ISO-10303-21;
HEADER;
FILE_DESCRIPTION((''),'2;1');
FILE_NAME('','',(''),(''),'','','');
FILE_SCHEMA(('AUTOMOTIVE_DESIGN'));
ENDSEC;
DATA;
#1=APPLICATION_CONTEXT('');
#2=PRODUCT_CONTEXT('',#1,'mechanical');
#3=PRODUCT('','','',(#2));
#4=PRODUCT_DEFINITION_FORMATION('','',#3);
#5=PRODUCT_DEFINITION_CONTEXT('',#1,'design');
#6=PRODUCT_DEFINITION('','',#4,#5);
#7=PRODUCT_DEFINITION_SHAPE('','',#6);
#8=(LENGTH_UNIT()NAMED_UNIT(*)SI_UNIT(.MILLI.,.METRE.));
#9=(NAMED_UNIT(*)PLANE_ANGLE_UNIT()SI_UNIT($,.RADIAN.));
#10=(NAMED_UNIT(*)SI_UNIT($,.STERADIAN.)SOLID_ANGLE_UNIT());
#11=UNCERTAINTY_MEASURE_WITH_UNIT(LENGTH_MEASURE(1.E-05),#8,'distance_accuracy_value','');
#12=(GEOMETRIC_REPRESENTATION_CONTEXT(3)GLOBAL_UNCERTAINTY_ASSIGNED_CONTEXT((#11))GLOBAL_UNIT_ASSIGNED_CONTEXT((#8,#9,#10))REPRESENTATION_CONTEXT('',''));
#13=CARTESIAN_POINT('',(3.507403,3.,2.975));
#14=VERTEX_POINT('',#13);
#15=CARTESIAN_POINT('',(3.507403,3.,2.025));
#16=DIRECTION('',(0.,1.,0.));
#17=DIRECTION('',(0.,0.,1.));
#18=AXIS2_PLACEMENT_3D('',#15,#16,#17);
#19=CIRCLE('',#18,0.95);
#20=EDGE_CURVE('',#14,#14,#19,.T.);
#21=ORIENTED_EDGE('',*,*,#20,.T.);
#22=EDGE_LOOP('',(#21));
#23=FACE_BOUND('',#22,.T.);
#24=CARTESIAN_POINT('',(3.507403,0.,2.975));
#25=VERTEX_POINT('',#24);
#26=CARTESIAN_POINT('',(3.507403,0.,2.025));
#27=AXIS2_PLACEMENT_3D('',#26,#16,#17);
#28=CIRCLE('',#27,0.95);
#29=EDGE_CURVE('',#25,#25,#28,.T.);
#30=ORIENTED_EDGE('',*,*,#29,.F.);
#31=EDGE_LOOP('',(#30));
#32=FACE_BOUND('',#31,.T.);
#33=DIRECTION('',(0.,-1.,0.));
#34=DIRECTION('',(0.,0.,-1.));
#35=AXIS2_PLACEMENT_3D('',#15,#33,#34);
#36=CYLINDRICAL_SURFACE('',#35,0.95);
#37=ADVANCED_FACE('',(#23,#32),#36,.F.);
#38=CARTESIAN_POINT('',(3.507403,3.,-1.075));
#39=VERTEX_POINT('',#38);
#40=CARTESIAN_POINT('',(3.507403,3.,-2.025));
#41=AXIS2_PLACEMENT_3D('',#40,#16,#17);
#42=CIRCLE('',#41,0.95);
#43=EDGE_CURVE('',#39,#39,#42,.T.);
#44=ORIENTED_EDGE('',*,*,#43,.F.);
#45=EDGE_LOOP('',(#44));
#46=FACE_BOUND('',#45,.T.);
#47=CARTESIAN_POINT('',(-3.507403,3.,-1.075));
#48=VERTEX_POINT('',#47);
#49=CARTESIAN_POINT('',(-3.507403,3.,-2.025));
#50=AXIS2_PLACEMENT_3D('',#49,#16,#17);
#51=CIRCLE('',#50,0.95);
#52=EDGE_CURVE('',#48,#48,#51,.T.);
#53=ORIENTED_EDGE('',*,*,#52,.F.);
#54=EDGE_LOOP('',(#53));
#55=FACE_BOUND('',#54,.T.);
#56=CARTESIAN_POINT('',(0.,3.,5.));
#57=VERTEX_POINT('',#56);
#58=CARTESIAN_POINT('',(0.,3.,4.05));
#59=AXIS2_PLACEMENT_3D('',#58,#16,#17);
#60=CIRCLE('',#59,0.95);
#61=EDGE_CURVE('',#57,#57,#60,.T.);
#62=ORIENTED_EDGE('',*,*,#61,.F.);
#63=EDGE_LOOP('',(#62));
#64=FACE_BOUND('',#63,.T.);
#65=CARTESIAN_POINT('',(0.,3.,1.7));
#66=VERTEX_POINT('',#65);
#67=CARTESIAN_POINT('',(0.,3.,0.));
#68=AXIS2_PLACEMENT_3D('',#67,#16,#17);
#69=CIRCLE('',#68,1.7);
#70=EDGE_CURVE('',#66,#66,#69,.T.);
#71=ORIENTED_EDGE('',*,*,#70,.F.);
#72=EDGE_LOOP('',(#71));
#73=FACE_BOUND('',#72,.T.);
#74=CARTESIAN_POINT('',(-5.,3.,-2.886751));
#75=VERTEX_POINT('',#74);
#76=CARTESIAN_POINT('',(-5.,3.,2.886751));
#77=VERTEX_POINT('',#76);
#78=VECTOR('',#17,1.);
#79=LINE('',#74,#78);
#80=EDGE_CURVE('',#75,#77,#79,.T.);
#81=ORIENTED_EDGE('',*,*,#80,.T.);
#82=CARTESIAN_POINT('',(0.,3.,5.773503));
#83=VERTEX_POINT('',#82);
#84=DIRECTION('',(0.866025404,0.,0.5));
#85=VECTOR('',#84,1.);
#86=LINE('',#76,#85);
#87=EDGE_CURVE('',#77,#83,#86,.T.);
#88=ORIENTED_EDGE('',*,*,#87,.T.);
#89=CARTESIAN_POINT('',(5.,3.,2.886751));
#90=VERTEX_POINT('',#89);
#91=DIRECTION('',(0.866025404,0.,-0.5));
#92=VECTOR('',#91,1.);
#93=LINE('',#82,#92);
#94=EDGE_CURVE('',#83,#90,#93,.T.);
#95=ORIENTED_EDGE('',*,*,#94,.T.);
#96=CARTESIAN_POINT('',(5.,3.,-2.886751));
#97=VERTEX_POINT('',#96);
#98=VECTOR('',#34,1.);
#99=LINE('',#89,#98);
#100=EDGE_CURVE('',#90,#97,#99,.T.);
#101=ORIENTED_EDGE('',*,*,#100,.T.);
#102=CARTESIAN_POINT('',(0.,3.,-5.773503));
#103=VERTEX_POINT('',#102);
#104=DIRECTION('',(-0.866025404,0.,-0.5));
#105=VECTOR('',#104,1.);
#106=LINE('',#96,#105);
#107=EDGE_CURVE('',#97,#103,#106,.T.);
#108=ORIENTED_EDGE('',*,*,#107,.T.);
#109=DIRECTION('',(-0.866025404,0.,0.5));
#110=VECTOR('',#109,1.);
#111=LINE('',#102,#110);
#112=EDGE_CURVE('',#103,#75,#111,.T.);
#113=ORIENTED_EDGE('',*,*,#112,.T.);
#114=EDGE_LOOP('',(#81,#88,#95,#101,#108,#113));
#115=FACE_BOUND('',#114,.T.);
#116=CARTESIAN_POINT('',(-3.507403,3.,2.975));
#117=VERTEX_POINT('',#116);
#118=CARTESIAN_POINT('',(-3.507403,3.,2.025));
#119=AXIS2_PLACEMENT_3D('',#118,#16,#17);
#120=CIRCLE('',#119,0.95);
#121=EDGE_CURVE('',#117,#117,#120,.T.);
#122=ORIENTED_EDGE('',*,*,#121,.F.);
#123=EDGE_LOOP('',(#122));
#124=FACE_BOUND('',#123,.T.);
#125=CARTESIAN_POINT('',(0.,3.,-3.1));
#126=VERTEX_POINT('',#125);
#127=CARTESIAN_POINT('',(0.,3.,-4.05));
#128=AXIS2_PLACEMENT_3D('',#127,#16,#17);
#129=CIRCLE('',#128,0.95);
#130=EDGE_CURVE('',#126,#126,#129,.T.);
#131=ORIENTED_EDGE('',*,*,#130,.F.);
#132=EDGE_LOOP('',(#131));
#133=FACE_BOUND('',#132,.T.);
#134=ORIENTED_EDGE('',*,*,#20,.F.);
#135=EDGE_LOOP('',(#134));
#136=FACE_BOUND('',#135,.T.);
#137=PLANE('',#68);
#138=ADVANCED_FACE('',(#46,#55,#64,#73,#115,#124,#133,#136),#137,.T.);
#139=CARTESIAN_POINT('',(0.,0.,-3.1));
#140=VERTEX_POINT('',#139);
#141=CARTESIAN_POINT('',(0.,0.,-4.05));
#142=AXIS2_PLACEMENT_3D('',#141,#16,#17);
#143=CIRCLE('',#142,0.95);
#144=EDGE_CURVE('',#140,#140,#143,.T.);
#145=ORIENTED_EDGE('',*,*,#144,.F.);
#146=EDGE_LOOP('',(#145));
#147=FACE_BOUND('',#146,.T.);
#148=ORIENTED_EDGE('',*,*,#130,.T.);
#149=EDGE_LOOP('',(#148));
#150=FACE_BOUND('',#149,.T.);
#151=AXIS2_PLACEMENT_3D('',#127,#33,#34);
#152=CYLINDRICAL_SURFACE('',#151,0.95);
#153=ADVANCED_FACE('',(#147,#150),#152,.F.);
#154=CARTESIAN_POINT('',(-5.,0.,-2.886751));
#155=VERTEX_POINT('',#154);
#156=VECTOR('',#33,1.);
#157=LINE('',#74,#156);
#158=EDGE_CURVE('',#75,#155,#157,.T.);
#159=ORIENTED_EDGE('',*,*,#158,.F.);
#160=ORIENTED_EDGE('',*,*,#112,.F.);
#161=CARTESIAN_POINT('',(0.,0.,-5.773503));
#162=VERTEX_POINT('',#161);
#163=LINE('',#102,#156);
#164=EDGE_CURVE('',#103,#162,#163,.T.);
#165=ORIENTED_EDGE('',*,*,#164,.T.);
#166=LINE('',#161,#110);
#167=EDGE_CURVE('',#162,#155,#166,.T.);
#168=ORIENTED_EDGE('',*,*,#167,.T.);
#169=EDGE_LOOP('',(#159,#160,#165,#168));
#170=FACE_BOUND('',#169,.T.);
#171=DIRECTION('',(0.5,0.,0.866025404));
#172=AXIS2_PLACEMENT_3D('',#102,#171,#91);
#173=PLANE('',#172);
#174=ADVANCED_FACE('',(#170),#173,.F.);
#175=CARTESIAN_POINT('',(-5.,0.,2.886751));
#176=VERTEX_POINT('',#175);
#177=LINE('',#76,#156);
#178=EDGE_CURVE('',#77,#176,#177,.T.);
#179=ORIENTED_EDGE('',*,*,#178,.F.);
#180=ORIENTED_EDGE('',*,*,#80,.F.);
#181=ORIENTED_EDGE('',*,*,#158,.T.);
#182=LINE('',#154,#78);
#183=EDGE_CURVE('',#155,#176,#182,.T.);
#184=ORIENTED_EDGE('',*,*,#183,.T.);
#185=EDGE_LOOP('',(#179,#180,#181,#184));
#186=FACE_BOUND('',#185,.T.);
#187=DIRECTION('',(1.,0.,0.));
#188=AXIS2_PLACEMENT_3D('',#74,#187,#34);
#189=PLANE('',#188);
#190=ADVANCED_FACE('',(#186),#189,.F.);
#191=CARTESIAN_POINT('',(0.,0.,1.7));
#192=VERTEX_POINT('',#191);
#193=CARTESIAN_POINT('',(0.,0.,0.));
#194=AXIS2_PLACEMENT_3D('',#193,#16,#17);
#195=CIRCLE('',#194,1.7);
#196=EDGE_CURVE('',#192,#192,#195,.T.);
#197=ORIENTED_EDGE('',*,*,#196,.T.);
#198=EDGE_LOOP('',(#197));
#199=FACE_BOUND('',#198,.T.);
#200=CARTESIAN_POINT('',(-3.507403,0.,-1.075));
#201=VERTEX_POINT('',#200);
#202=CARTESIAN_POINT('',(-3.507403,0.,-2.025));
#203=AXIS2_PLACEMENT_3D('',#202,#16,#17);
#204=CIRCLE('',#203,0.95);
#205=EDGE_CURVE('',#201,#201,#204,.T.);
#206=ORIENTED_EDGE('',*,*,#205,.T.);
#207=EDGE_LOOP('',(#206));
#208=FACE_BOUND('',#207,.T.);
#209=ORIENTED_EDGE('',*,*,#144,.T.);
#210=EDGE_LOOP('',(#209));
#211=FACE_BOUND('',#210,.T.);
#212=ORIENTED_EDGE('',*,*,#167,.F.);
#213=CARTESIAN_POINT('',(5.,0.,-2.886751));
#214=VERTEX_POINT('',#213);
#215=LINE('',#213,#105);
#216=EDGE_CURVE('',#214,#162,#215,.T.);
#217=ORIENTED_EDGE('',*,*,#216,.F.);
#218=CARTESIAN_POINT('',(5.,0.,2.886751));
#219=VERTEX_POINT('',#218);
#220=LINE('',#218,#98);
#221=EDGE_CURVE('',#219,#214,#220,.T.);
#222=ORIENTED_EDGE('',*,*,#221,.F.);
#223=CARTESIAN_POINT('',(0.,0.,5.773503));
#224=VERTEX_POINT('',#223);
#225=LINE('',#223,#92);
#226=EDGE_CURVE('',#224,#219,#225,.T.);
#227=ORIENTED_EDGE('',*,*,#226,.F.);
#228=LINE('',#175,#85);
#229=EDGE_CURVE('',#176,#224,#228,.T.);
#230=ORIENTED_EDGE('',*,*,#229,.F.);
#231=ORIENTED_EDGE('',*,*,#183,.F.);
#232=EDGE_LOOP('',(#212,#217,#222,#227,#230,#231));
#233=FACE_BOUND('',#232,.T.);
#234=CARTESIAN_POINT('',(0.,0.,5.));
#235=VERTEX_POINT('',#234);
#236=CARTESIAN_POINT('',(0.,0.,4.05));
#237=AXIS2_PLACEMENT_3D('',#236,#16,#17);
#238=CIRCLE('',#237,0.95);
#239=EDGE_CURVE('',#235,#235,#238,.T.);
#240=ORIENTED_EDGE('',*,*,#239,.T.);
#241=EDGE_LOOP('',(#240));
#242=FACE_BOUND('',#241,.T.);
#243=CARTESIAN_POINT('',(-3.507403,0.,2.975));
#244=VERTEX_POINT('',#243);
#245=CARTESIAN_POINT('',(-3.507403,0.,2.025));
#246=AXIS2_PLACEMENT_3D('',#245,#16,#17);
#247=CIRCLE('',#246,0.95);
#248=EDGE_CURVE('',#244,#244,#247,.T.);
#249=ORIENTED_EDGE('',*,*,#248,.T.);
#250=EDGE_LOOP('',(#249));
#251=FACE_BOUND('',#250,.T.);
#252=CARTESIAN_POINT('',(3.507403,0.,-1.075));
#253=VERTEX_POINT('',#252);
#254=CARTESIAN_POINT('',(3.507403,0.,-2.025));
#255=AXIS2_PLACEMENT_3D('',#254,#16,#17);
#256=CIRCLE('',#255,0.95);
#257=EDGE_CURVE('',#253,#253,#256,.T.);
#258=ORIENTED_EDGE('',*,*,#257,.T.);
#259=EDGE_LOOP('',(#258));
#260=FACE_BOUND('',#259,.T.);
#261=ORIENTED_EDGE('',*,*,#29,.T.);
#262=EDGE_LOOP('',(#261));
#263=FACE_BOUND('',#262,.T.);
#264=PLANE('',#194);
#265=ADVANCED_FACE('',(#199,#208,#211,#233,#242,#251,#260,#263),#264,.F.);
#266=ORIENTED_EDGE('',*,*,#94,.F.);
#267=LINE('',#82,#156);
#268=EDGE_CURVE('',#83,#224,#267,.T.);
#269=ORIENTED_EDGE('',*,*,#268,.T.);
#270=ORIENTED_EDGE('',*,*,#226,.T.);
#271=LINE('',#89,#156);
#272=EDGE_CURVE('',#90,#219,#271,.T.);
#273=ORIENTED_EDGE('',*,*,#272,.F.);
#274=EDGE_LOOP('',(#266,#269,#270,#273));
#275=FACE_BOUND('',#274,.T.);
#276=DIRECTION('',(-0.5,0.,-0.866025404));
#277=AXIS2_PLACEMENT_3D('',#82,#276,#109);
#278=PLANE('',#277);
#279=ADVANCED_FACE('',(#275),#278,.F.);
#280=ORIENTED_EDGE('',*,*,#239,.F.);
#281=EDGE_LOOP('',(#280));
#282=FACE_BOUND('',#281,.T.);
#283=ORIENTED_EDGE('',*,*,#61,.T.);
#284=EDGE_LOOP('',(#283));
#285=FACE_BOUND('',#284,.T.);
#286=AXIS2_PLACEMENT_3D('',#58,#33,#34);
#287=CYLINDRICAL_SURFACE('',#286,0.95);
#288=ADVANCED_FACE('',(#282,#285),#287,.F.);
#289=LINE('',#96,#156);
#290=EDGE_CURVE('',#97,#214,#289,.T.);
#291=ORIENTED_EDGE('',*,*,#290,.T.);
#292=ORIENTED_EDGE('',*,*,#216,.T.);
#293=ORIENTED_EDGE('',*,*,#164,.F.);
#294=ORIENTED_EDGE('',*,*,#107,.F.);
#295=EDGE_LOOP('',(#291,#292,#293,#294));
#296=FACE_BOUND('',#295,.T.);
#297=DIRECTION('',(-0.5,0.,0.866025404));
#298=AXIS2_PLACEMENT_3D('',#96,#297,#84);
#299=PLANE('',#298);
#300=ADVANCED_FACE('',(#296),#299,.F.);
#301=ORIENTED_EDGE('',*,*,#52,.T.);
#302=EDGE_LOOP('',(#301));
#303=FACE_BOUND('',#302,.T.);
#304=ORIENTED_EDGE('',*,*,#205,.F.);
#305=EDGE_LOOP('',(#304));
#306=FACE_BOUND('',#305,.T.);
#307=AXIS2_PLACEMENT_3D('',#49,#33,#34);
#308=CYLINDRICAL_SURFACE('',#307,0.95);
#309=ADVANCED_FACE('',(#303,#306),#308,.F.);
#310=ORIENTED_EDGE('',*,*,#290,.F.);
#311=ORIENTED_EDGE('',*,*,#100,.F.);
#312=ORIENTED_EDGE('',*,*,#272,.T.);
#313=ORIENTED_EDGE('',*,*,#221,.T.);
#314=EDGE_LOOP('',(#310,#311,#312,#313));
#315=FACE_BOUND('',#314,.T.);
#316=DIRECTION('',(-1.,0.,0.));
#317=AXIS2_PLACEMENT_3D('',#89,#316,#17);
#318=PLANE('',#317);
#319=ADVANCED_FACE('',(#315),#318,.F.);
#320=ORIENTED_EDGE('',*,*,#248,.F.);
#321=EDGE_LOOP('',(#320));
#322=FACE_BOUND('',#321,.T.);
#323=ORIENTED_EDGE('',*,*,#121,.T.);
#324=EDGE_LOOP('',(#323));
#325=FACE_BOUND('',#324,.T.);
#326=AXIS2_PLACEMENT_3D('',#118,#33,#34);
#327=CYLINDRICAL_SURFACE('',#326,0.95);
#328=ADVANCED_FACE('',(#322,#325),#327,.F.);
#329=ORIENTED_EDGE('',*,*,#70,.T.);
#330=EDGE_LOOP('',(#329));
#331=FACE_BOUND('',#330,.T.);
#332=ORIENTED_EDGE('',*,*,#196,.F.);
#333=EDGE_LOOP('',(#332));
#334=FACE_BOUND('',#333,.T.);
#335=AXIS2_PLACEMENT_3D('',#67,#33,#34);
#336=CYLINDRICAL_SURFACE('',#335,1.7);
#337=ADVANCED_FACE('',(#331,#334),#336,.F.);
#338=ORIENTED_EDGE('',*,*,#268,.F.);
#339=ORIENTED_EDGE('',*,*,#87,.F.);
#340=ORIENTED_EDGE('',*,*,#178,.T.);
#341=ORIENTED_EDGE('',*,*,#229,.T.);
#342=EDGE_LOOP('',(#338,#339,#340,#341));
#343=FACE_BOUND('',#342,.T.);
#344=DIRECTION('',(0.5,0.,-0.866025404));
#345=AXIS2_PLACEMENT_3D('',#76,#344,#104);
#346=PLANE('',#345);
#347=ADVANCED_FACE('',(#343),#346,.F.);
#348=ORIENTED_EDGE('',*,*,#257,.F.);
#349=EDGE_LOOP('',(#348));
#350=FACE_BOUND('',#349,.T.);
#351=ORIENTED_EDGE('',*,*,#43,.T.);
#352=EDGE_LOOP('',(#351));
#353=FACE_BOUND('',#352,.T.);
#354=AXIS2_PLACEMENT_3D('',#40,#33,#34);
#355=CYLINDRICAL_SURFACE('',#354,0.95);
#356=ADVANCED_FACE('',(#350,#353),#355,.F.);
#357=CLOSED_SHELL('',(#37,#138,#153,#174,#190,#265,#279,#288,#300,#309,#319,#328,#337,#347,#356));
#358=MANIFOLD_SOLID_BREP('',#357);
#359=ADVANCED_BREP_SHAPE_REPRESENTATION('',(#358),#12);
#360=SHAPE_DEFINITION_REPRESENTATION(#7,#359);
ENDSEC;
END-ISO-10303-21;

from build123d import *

# Parameters (mm, degrees)
SKETCH1_R           = 1.7
SKETCH1_R_2         = 0.95
BOSS_EXTRUDE1_DEPTH = 3


with BuildPart() as part:
    # Sketch1 → Boss-Extrude1 (new body)
    with BuildSketch(Plane(origin=(0, 0, 0), x_dir=(1, 0, 0), z_dir=(0, 1, 0))):
        Polygon((-5, -2.886751346), (0, -5.773502692), (5, -2.886751346), (5, 2.886751346), (0, 5.773502692), (-5, 2.886751346), align=None)
        with Locations(Location((0, 0, 0), (0, 0, 270))):
            Circle(SKETCH1_R, mode=Mode.SUBTRACT)
        with Locations(Location((-3.507402885, 2.025, 0), (0, 0, 270))):
            Circle(SKETCH1_R_2, mode=Mode.SUBTRACT)
        with Locations(Location((0, 4.05, 0), (0, 0, 270))):
            Circle(SKETCH1_R_2, mode=Mode.SUBTRACT)
        with Locations(Location((3.507402885, 2.025, 0), (0, 0, 270))):
            Circle(SKETCH1_R_2, mode=Mode.SUBTRACT)
        with Locations(Location((3.507402885, -2.025, 0), (0, 0, 270))):
            Circle(SKETCH1_R_2, mode=Mode.SUBTRACT)
        with Locations(Location((0, -4.05, 0), (0, 0, 270))):
            Circle(SKETCH1_R_2, mode=Mode.SUBTRACT)
        with Locations(Location((-3.507402885, -2.025, 0), (0, 0, 270))):
            Circle(SKETCH1_R_2, mode=Mode.SUBTRACT)
    extrude(amount=BOSS_EXTRUDE1_DEPTH)


solid = part.part
